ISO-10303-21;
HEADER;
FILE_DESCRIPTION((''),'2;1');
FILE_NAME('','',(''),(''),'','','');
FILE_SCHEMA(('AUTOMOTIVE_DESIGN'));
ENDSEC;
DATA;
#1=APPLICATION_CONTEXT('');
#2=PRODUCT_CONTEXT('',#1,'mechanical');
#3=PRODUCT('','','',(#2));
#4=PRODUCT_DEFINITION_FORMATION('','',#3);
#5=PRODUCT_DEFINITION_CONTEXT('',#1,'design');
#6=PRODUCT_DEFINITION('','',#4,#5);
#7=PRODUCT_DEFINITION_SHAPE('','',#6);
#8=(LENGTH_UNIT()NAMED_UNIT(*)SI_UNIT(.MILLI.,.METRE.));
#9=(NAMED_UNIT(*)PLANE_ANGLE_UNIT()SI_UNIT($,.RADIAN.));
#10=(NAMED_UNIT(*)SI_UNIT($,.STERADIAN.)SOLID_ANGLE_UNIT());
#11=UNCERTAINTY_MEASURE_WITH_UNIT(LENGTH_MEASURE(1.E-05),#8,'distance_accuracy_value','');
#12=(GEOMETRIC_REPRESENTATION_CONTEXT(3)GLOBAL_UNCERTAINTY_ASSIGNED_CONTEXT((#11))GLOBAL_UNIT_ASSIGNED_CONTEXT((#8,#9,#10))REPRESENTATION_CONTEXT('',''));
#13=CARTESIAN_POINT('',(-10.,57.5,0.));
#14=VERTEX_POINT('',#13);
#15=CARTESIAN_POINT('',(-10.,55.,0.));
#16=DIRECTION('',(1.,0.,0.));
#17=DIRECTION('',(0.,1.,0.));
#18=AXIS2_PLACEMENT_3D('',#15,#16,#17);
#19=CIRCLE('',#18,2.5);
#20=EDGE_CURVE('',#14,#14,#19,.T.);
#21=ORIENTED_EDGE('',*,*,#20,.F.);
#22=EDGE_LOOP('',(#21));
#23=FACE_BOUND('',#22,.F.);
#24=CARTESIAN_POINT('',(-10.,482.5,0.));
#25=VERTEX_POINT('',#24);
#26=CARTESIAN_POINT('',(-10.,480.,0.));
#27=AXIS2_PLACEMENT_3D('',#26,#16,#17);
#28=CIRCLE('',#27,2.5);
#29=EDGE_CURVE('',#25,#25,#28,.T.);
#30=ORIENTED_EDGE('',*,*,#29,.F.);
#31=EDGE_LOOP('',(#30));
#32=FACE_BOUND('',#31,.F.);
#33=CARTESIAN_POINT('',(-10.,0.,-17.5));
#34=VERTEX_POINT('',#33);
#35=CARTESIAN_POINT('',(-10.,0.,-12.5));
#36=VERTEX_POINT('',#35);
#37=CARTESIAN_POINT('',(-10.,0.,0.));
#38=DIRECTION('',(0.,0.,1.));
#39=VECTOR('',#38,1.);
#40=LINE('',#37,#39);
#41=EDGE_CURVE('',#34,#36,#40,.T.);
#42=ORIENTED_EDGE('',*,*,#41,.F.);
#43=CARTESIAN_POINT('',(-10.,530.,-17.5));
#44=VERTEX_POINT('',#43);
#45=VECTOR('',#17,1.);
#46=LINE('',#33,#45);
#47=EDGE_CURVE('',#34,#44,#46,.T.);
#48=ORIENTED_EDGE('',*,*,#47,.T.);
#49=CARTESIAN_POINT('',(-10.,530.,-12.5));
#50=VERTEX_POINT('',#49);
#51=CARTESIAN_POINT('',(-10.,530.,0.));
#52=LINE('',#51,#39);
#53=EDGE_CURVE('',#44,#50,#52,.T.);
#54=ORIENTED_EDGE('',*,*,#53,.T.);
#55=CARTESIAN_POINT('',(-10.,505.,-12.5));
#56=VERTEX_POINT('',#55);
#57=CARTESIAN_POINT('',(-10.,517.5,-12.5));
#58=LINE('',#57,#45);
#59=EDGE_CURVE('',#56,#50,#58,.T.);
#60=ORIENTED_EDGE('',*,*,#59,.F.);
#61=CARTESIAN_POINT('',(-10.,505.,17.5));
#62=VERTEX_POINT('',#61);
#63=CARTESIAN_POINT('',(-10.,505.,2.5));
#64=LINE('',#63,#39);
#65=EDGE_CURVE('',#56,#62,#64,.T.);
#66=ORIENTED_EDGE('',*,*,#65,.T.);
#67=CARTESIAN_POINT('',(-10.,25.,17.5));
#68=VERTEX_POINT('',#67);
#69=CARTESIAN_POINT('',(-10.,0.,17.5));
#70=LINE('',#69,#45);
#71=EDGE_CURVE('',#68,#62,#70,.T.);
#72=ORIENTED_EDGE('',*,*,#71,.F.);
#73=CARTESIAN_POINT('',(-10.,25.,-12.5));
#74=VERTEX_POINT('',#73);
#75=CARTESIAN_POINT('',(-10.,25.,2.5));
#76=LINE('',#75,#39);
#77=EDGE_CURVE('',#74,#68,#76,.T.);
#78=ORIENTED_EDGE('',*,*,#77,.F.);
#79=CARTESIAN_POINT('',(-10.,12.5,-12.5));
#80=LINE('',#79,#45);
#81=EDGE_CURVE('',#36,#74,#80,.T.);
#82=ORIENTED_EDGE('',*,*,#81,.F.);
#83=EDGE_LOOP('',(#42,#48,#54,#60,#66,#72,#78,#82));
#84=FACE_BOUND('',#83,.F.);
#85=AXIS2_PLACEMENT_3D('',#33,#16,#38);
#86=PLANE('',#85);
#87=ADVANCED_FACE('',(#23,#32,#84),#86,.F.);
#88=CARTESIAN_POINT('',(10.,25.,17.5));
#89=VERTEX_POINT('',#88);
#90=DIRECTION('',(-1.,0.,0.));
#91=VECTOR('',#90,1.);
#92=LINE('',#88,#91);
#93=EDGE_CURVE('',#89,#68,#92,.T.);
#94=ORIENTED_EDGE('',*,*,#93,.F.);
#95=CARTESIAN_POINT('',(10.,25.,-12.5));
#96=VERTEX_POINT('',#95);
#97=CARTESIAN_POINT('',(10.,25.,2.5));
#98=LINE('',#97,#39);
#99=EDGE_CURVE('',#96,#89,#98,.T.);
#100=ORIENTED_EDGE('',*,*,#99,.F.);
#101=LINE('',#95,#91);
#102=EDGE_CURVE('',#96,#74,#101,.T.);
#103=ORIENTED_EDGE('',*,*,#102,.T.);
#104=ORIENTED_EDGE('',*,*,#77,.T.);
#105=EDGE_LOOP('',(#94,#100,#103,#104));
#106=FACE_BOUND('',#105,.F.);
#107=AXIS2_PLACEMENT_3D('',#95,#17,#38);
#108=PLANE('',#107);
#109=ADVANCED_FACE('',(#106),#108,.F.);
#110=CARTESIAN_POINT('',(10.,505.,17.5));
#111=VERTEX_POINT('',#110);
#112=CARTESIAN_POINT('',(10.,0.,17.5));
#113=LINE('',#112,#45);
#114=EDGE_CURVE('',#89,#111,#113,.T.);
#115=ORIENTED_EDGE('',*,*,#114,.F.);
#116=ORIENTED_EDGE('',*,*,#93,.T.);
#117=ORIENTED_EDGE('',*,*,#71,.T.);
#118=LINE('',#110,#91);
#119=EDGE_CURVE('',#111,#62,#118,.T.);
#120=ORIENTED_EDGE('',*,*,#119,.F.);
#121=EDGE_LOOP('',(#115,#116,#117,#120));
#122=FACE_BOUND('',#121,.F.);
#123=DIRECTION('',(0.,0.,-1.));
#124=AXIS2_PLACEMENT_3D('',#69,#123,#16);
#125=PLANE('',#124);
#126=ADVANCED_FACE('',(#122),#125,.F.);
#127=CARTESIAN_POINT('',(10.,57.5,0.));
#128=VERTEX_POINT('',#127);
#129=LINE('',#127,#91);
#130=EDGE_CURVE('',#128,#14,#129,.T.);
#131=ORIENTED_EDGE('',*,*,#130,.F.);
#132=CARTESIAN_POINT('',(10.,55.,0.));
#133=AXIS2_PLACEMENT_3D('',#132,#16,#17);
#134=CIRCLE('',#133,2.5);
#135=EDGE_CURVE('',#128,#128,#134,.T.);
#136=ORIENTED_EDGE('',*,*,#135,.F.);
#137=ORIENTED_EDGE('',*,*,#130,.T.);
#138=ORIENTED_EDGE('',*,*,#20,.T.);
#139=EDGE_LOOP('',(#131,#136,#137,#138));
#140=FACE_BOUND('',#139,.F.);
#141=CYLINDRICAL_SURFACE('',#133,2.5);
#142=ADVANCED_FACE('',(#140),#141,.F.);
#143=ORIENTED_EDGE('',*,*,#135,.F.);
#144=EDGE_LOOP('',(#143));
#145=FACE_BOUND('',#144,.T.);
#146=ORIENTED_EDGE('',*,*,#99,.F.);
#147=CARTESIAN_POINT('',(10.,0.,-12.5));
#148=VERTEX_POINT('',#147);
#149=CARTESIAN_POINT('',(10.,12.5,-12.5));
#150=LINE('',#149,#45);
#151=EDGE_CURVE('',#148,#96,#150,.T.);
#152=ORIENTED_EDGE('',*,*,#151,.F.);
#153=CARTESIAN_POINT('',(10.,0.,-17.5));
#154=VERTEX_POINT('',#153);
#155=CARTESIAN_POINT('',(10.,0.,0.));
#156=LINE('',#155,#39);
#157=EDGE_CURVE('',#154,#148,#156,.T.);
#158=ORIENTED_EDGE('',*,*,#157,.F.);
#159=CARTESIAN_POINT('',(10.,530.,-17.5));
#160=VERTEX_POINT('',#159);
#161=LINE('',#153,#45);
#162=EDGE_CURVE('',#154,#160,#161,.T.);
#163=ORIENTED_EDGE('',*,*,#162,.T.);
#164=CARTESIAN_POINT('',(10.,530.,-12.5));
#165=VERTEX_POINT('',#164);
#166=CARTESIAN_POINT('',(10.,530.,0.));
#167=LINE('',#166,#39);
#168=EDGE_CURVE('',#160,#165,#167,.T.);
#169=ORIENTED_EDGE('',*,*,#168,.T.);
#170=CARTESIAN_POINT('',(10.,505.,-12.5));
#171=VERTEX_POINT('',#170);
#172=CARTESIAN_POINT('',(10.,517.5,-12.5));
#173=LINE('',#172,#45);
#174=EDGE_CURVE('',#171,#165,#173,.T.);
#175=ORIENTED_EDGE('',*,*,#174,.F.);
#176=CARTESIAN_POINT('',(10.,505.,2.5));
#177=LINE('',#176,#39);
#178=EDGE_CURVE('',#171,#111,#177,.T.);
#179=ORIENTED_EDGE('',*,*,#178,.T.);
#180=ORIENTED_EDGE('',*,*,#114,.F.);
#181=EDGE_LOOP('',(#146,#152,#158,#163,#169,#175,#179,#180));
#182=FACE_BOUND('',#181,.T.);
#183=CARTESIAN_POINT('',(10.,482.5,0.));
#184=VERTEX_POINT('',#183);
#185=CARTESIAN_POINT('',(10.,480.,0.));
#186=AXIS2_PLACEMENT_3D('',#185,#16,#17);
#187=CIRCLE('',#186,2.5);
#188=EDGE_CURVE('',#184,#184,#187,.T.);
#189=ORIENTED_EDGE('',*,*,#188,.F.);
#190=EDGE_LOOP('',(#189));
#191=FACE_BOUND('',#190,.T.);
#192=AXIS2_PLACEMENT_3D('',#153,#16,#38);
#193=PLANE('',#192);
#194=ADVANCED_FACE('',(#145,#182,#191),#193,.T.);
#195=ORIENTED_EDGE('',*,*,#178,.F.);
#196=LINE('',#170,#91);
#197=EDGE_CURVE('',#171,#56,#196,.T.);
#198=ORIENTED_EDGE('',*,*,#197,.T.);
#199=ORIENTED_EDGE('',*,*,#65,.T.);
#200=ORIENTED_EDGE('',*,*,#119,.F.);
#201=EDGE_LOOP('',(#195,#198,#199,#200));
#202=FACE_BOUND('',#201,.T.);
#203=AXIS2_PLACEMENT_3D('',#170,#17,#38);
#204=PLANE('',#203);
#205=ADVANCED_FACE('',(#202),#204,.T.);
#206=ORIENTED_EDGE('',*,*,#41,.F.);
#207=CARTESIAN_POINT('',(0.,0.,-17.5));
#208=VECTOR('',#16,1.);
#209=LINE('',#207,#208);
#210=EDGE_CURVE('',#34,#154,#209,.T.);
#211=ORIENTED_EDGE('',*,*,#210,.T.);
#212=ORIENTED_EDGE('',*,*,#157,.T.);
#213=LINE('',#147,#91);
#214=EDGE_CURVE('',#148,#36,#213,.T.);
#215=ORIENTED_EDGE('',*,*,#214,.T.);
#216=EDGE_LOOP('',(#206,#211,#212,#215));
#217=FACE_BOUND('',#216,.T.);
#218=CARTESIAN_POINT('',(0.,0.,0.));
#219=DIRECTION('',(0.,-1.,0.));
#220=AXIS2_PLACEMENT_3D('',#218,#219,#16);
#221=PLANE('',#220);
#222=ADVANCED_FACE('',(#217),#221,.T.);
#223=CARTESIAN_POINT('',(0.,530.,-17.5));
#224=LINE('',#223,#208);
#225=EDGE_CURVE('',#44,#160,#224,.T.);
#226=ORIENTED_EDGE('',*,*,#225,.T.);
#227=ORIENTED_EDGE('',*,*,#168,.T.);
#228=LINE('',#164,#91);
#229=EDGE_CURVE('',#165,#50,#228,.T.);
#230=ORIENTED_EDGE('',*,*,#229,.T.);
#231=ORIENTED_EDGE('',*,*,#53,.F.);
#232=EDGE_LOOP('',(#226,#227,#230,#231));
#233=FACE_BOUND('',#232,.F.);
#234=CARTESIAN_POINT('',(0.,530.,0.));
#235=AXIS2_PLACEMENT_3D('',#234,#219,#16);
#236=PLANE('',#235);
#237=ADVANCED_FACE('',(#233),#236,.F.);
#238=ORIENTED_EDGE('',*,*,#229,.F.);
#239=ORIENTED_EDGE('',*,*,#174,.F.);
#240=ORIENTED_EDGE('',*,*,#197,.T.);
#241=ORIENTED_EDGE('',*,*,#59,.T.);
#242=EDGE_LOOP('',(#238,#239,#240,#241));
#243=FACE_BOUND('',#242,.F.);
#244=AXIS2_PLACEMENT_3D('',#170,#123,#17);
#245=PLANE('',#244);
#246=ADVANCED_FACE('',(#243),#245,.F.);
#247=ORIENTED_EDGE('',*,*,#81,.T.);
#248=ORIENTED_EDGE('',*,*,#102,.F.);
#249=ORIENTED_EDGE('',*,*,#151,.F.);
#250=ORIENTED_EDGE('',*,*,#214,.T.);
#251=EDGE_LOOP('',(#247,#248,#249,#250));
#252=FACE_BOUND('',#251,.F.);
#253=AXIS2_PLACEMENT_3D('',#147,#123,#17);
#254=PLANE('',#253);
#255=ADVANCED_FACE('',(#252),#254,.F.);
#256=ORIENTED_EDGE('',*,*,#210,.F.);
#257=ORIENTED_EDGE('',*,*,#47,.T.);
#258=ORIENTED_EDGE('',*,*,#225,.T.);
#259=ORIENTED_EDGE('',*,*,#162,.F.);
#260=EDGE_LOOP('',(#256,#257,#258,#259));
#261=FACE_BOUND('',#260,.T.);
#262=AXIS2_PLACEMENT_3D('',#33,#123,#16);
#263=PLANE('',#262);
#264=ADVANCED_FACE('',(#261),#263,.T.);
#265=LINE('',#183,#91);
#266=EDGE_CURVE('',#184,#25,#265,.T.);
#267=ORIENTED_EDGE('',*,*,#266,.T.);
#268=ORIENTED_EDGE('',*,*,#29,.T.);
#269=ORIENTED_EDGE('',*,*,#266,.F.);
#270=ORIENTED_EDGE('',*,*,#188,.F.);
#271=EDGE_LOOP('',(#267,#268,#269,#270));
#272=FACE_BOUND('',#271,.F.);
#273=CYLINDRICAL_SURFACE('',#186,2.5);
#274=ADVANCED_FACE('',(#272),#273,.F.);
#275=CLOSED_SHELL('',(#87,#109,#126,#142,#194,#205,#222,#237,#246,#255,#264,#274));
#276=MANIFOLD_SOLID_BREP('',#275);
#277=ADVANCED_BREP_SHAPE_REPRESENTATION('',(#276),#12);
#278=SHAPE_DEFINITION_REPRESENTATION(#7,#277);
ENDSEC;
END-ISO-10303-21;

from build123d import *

# Parameters (mm, degrees)
F0_W     = 20
F0_H     = 35
F1_DEPTH = 530
F2_W     = 25
F2_H     = 30
F3_DEPTH = 20
F4_R     = 2.5
F5_DEPTH = 25


with BuildPart() as f1:
    # F0 (on Front) → F1 (new body)
    with BuildSketch(Plane.XZ):
        Rectangle(F0_W, F0_H)
    extrude(amount=-F1_DEPTH)

    # F2 (on face) → F3 (cut)
    with BuildSketch(Plane.YZ.offset(10)):
        with Locations((12.5, 2.5)):
            Rectangle(F2_W, F2_H)
        with Locations((517.5, 2.5)):
            Rectangle(F2_W, F2_H)
    extrude(amount=-F3_DEPTH, mode=Mode.SUBTRACT)

    # F4 (on face) → F5 (cut)
    with BuildSketch(Plane.YZ.offset(10)):
        with Locations((55, 0)):
            Circle(F4_R)
        with Locations((480, 0)):
            Circle(F4_R)
    extrude(amount=-F5_DEPTH, mode=Mode.SUBTRACT)


solid = f1.part
